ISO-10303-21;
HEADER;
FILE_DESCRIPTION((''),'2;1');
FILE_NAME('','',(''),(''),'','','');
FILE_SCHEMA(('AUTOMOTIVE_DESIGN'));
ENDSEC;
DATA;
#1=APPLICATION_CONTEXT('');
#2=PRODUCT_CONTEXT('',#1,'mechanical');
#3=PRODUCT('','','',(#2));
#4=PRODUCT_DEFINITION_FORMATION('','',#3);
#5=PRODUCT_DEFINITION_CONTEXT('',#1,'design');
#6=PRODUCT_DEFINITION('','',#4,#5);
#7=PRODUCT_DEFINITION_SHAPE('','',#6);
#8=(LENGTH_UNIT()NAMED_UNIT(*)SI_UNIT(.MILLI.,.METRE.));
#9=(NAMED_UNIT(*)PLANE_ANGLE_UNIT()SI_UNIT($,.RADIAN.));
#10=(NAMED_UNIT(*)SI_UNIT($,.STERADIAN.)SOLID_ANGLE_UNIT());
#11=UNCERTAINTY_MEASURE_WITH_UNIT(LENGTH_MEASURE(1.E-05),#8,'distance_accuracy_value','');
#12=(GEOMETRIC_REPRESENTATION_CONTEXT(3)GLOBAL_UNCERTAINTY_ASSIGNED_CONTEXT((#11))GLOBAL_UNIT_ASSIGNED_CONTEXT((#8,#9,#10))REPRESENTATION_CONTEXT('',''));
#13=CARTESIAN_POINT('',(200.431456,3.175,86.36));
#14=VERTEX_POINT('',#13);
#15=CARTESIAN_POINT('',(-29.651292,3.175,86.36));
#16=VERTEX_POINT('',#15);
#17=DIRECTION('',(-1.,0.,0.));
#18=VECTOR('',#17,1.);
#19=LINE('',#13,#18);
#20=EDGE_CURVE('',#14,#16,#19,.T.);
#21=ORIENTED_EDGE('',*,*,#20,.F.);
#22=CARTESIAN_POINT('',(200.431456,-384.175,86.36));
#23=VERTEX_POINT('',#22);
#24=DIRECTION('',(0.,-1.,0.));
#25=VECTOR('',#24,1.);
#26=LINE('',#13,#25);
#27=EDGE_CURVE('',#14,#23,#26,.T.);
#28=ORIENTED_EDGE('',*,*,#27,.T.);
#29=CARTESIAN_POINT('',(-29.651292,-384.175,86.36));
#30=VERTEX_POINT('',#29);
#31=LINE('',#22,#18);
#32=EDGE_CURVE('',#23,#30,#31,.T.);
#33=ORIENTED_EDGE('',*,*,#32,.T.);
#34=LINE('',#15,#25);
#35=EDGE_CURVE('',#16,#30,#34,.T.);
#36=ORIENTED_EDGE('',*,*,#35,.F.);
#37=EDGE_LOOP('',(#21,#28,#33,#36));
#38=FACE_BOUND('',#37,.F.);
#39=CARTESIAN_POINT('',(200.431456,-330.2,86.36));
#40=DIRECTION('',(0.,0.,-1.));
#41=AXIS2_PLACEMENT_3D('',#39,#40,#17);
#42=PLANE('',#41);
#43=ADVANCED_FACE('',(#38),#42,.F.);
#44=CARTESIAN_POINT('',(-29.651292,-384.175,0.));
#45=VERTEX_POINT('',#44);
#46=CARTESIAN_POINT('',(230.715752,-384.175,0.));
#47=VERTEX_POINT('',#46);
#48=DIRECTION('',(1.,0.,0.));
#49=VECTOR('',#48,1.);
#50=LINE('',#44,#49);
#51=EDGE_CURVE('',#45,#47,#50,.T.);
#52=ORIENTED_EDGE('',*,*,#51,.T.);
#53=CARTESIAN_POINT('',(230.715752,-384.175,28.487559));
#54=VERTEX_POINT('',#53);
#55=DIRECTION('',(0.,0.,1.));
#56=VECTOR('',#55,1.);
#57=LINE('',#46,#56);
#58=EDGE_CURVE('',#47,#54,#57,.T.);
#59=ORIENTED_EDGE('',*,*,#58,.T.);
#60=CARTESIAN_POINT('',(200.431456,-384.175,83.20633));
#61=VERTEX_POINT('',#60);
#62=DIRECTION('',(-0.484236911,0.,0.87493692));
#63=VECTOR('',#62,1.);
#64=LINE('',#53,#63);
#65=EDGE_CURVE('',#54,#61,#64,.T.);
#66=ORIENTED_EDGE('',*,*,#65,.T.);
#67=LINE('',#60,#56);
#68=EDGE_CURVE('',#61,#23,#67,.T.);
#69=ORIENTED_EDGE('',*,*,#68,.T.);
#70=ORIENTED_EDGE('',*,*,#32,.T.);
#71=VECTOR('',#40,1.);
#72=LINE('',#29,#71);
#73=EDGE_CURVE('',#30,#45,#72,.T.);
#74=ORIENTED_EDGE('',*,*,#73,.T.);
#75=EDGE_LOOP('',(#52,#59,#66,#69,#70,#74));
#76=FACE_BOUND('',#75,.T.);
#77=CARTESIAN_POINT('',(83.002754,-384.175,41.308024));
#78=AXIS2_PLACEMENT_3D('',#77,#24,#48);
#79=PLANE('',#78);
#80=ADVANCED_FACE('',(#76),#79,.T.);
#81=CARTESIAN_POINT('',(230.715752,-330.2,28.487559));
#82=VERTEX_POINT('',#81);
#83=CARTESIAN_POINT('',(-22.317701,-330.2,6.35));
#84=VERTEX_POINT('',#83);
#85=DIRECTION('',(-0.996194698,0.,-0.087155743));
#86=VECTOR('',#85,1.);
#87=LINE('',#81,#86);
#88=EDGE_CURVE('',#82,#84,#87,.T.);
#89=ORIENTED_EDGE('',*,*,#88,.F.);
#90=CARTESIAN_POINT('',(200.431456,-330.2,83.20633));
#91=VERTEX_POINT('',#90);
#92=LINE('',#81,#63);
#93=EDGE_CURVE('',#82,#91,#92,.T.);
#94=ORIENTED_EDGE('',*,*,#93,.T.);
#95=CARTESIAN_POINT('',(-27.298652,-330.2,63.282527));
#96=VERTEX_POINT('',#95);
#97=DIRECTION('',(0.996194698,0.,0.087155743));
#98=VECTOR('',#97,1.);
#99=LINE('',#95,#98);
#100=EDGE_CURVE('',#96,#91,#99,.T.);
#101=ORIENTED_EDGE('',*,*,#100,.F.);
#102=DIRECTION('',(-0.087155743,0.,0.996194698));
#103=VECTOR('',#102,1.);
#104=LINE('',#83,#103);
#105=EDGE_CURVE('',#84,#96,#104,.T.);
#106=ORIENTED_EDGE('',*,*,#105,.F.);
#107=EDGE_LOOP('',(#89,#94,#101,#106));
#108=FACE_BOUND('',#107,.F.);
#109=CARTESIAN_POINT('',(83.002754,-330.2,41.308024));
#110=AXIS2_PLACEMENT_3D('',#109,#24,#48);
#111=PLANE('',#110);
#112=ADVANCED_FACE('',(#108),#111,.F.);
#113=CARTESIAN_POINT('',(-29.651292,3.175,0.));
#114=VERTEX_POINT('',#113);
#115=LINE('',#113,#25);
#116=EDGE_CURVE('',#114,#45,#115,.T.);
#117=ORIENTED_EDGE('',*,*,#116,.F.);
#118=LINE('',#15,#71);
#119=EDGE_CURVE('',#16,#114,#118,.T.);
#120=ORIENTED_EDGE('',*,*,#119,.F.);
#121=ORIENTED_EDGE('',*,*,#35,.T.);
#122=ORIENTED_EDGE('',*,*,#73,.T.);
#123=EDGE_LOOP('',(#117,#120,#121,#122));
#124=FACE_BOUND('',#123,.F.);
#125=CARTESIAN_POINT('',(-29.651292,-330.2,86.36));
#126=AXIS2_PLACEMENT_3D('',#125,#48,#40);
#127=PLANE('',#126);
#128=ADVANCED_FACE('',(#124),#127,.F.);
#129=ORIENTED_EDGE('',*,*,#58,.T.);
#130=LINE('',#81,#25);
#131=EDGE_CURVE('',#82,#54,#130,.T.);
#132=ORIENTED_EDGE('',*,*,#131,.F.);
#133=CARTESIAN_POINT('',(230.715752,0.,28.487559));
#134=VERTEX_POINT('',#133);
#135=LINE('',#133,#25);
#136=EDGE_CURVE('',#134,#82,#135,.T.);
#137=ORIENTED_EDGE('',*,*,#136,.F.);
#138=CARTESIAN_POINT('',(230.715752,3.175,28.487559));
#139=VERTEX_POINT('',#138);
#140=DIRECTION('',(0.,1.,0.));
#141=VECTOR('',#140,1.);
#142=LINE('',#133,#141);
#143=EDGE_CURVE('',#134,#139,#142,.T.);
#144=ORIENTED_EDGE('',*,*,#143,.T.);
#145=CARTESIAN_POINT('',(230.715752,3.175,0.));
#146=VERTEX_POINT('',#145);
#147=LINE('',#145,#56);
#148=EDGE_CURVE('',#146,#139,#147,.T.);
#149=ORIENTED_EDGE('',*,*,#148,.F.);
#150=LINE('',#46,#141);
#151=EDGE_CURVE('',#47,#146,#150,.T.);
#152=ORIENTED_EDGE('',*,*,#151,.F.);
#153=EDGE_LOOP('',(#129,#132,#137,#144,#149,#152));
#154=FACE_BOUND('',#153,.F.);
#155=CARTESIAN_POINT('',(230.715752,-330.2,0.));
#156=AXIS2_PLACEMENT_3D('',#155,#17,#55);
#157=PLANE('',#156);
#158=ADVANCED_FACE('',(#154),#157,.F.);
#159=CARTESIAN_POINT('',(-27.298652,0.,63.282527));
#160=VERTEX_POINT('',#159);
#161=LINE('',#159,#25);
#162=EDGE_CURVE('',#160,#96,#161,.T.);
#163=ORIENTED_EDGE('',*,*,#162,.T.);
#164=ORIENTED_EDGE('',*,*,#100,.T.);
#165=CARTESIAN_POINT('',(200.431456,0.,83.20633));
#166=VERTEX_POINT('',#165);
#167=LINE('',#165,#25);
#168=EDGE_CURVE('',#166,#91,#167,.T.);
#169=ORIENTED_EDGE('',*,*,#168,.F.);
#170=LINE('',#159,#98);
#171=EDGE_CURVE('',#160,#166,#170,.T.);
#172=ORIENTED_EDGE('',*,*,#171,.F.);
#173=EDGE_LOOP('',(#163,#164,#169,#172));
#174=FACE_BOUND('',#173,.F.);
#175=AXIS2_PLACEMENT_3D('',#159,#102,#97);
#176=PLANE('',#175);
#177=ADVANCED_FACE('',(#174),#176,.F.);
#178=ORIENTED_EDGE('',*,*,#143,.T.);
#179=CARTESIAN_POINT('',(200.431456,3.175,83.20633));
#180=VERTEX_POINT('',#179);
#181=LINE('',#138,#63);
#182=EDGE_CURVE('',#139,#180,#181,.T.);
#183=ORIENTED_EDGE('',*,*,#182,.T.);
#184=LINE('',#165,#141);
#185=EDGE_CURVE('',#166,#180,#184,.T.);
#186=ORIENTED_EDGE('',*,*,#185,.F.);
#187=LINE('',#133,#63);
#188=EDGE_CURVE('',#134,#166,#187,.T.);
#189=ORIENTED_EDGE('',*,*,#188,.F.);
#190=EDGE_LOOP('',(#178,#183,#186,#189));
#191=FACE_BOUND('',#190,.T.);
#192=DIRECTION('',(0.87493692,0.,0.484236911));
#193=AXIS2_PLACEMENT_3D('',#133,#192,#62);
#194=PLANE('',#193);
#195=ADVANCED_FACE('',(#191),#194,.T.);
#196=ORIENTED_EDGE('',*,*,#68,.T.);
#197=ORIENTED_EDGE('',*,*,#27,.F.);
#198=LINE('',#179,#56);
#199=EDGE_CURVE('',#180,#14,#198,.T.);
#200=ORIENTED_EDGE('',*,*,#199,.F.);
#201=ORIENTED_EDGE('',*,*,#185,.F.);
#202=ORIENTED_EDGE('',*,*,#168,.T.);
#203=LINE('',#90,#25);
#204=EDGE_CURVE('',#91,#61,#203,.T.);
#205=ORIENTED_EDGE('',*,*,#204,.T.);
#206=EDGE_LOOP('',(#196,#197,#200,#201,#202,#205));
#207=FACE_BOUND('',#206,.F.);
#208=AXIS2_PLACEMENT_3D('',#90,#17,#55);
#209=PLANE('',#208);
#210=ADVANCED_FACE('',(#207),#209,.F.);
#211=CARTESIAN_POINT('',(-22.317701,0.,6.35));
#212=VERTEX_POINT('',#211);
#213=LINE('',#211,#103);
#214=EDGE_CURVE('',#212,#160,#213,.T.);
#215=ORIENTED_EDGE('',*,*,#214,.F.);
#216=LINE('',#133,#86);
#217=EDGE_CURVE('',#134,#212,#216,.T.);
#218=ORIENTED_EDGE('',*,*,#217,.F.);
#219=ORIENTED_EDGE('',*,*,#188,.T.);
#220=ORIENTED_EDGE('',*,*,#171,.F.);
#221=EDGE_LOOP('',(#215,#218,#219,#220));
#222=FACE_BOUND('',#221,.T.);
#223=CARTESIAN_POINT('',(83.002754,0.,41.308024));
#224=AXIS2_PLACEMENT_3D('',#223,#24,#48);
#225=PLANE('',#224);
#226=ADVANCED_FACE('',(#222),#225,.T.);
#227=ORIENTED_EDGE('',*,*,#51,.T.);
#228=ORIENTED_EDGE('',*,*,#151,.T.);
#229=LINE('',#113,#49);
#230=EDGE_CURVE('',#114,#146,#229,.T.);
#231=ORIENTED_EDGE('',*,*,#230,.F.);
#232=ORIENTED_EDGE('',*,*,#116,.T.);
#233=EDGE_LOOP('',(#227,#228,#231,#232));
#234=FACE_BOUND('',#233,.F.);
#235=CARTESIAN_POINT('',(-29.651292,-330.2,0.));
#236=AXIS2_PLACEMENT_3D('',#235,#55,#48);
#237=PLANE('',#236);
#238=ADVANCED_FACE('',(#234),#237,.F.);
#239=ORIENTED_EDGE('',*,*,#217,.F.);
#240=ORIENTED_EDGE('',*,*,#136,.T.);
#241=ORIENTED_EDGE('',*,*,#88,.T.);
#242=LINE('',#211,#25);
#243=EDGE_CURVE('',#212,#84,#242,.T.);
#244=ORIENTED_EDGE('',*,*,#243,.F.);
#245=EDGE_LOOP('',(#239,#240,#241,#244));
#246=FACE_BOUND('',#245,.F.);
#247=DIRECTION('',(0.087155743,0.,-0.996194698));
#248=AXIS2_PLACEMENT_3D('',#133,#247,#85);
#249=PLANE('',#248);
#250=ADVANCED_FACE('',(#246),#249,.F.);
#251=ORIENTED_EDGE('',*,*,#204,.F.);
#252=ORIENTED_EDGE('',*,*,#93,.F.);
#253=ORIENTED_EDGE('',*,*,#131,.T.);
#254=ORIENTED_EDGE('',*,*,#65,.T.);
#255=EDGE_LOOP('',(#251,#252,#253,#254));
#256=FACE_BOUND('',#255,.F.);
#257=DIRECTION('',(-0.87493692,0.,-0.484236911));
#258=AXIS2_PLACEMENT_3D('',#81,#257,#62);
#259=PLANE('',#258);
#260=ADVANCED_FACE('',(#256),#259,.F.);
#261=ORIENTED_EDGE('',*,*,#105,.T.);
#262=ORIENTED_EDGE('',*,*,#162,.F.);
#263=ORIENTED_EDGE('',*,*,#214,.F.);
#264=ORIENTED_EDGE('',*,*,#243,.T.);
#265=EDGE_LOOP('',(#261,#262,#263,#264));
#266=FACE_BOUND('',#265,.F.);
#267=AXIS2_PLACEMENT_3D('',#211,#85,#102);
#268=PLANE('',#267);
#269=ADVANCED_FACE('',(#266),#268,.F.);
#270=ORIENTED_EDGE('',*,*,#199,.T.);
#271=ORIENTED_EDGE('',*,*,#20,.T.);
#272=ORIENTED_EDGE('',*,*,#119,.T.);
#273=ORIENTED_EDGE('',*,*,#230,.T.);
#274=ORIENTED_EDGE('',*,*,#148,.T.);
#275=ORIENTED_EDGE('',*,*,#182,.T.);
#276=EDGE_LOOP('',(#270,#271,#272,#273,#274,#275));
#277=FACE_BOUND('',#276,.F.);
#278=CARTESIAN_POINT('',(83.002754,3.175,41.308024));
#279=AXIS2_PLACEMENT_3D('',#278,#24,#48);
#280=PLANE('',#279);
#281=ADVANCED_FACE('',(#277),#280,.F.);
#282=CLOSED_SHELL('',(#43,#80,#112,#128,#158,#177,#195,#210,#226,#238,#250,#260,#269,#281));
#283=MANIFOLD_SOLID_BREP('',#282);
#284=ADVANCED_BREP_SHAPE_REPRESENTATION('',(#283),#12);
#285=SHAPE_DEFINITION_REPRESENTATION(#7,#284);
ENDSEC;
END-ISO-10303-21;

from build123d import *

# Parameters (mm, degrees)
F1_DEPTH = 3.175
F2_DEPTH = 330.2
F4_DEPTH = 53.975


with BuildPart() as f1:
    # F0 (on Front) → F1 (new body)
    with BuildSketch(Plane.XZ):
        Polygon((-29.6512916684, 86.36), (-29.6512916684, 0), (230.7157522443, 0), (230.7157522443, 28.4875586579), (-22.317701071, 6.35), (-27.298651769, 63.2825269959), (200.4314562148, 83.2063297881), (200.4314562148, 86.36), align=None)
        Polygon((-22.317701071, 6.35), (230.7157522443, 28.4875586579), (200.4314562148, 83.2063297881), (-27.298651769, 63.2825269959), align=None)
    extrude(amount=-F1_DEPTH)

    # F0 (on Front) → F2 (join)
    with BuildSketch(Plane.XZ):
        Polygon((-29.6512916684, 86.36), (-29.6512916684, 0), (230.7157522443, 0), (230.7157522443, 28.4875586579), (-22.317701071, 6.35), (-27.298651769, 63.2825269959), (200.4314562148, 83.2063297881), (200.4314562148, 86.36), align=None)
    extrude(amount=F2_DEPTH)

    # F3 (on face) → F4 (join)
    with BuildSketch(Plane.XZ.offset(330.2)):
        Polygon((-27.298651769, 63.2825269959), (200.4314562148, 83.2063297881), (200.4314562148, 86.36), (-29.6512916684, 86.36), (-29.6512916684, 0), (230.7157522443, 0), (230.7157522443, 28.4875586579), (-22.317701071, 6.35), align=None)
        Polygon((230.7157522443, 28.4875586579), (200.4314562148, 83.2063297881), (-27.298651769, 63.2825269959), (-22.317701071, 6.35), align=None)
    extrude(amount=F4_DEPTH)


solid = f1.part
